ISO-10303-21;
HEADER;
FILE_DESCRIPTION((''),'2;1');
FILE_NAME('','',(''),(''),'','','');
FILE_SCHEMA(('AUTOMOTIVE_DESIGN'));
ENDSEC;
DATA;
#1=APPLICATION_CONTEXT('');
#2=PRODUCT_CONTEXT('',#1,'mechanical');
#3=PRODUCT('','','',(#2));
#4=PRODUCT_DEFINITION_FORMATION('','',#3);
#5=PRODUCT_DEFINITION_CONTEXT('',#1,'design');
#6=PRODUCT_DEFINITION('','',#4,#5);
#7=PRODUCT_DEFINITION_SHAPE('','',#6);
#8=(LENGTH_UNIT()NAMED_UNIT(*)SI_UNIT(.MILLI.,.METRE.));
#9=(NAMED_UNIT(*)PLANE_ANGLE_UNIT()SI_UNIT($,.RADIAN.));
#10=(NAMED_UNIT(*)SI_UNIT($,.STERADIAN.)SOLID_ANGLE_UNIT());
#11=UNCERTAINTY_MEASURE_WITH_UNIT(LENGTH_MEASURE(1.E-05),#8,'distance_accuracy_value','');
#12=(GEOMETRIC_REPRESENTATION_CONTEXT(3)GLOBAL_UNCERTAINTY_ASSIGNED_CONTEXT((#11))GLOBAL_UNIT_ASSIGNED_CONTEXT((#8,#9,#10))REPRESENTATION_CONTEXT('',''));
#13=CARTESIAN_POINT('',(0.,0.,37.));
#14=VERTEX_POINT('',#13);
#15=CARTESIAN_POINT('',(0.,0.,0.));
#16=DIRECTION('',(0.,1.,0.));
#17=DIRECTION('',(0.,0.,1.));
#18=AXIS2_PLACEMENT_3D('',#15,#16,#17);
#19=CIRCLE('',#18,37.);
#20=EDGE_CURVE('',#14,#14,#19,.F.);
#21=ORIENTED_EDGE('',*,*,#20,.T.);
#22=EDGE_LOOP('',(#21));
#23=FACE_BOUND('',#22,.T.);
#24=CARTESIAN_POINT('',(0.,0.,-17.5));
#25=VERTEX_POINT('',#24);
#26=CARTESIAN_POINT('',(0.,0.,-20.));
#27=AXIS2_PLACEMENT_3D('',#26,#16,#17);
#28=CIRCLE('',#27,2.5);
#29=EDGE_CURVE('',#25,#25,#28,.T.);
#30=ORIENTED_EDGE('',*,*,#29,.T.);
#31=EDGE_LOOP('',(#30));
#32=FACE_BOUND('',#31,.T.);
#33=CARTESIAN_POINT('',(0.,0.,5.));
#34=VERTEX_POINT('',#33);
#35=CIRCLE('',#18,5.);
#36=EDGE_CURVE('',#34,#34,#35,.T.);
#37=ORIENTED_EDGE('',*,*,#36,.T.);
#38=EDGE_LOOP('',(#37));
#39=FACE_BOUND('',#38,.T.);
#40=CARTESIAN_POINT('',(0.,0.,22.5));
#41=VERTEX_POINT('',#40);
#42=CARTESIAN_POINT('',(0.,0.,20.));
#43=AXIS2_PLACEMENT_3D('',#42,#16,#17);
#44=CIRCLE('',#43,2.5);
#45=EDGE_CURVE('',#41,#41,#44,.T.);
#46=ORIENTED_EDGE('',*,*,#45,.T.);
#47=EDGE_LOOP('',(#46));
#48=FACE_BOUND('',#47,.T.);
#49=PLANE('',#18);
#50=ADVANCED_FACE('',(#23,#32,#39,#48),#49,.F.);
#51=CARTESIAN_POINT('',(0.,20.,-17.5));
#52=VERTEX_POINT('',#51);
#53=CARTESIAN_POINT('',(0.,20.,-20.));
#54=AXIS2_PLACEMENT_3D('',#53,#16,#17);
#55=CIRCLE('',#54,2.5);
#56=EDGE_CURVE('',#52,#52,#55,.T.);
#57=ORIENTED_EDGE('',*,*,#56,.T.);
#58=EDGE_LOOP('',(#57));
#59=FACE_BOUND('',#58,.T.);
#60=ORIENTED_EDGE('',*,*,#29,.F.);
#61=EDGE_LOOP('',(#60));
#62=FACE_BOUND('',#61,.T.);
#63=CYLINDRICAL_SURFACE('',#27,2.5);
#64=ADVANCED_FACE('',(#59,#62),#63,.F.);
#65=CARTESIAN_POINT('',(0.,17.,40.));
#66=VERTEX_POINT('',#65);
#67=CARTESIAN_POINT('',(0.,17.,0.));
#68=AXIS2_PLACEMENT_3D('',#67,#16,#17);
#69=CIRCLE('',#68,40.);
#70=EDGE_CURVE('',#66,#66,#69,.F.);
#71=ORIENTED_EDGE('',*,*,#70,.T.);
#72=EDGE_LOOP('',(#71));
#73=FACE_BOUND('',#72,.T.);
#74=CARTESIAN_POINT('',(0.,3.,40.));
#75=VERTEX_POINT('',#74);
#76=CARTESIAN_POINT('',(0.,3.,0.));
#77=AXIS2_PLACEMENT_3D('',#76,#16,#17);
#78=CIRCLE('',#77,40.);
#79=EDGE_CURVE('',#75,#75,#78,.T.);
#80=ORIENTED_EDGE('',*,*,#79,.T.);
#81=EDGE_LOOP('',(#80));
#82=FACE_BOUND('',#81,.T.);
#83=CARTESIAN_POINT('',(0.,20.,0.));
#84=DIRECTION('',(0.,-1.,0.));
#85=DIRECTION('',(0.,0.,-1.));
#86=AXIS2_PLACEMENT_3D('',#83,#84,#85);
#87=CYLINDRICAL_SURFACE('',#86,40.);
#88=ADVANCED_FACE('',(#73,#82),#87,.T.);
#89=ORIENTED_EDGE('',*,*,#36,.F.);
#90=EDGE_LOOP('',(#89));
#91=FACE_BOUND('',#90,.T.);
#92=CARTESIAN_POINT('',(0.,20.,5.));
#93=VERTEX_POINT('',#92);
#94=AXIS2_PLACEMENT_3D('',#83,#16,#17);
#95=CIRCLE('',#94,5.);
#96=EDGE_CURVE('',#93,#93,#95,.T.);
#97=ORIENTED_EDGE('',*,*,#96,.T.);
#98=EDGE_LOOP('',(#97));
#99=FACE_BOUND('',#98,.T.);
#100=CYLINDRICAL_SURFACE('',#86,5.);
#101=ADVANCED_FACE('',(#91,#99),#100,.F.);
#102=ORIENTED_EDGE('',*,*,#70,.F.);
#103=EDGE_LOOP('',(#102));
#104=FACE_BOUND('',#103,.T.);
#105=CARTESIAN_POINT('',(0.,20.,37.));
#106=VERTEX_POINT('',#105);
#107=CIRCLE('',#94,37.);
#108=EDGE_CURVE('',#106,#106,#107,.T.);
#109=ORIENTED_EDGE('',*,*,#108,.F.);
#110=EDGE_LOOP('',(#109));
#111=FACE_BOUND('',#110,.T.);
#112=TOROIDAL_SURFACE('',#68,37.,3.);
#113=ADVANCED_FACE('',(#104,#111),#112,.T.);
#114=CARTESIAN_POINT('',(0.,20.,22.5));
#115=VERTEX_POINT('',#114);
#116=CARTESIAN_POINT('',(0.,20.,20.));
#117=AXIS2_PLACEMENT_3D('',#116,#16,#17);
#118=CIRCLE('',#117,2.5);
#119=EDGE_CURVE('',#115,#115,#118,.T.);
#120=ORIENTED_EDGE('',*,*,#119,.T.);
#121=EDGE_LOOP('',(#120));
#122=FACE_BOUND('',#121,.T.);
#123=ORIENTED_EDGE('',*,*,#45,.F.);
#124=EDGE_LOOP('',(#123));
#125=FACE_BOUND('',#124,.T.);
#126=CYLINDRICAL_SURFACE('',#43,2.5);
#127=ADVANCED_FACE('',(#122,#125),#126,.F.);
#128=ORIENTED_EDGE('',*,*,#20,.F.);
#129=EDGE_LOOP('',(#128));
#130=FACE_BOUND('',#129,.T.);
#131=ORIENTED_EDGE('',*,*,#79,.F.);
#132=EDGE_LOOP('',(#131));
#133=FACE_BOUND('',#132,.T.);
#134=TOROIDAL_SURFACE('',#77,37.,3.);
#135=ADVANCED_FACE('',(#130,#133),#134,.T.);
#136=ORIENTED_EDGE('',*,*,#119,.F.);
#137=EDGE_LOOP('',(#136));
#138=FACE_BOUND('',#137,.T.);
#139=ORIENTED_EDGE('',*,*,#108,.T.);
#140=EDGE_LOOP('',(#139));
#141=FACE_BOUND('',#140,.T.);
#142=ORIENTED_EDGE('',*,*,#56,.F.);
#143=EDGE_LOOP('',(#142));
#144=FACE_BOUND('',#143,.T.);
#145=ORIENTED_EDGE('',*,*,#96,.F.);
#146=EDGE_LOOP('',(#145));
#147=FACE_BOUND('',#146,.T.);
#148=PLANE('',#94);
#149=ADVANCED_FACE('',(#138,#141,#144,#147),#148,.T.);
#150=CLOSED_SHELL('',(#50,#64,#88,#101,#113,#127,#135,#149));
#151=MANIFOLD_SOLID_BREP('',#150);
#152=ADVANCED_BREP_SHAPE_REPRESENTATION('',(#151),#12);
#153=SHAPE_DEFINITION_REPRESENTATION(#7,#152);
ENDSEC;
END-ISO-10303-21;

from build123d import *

# Parameters (mm, degrees)
SKETCH_1_R          = 40
SKETCH_1_R_2        = 5
EXTRUDE_1_DEPTH     = 20
FILLET_1_R          = 3
SKETCH_2_R          = 2.5
CUT_EXTRUDE_1_DEPTH = 61


with BuildPart() as part:
    # 草圖1 → 填料-伸長1 (new body)
    with BuildSketch(Plane(origin=(0, 0, 0), x_dir=(1, 0, 0), z_dir=(0, 1, 0))):
        with Locations(Location((0, 0, 0), (0, 0, 270))):
            Circle(SKETCH_1_R)
        with Locations(Location((0, 0, 0), (0, 0, 270))):
            Circle(SKETCH_1_R_2, mode=Mode.SUBTRACT)
    extrude(amount=EXTRUDE_1_DEPTH)

    # 圓角1
    fillet_1_edges = [part.edges().sort_by_distance(p)[0] for p in [
        (0, 0, -40),
        (0, 20, -40),
    ]]
    fillet(fillet_1_edges, radius=FILLET_1_R)

    # 草圖2 → 除料-伸長1 (cut, through all)
    with BuildSketch(Plane(origin=(0, 20, 0), x_dir=(1, 0, 0), z_dir=(0, 1, 0))):
        with Locations(Location((0, 20, 0), (0, 0, 270))):
            Circle(SKETCH_2_R)
        with Locations(Location((0, -20, 0), (0, 0, 270))):
            Circle(SKETCH_2_R)
    extrude(amount=-CUT_EXTRUDE_1_DEPTH, mode=Mode.SUBTRACT)


solid = part.part
